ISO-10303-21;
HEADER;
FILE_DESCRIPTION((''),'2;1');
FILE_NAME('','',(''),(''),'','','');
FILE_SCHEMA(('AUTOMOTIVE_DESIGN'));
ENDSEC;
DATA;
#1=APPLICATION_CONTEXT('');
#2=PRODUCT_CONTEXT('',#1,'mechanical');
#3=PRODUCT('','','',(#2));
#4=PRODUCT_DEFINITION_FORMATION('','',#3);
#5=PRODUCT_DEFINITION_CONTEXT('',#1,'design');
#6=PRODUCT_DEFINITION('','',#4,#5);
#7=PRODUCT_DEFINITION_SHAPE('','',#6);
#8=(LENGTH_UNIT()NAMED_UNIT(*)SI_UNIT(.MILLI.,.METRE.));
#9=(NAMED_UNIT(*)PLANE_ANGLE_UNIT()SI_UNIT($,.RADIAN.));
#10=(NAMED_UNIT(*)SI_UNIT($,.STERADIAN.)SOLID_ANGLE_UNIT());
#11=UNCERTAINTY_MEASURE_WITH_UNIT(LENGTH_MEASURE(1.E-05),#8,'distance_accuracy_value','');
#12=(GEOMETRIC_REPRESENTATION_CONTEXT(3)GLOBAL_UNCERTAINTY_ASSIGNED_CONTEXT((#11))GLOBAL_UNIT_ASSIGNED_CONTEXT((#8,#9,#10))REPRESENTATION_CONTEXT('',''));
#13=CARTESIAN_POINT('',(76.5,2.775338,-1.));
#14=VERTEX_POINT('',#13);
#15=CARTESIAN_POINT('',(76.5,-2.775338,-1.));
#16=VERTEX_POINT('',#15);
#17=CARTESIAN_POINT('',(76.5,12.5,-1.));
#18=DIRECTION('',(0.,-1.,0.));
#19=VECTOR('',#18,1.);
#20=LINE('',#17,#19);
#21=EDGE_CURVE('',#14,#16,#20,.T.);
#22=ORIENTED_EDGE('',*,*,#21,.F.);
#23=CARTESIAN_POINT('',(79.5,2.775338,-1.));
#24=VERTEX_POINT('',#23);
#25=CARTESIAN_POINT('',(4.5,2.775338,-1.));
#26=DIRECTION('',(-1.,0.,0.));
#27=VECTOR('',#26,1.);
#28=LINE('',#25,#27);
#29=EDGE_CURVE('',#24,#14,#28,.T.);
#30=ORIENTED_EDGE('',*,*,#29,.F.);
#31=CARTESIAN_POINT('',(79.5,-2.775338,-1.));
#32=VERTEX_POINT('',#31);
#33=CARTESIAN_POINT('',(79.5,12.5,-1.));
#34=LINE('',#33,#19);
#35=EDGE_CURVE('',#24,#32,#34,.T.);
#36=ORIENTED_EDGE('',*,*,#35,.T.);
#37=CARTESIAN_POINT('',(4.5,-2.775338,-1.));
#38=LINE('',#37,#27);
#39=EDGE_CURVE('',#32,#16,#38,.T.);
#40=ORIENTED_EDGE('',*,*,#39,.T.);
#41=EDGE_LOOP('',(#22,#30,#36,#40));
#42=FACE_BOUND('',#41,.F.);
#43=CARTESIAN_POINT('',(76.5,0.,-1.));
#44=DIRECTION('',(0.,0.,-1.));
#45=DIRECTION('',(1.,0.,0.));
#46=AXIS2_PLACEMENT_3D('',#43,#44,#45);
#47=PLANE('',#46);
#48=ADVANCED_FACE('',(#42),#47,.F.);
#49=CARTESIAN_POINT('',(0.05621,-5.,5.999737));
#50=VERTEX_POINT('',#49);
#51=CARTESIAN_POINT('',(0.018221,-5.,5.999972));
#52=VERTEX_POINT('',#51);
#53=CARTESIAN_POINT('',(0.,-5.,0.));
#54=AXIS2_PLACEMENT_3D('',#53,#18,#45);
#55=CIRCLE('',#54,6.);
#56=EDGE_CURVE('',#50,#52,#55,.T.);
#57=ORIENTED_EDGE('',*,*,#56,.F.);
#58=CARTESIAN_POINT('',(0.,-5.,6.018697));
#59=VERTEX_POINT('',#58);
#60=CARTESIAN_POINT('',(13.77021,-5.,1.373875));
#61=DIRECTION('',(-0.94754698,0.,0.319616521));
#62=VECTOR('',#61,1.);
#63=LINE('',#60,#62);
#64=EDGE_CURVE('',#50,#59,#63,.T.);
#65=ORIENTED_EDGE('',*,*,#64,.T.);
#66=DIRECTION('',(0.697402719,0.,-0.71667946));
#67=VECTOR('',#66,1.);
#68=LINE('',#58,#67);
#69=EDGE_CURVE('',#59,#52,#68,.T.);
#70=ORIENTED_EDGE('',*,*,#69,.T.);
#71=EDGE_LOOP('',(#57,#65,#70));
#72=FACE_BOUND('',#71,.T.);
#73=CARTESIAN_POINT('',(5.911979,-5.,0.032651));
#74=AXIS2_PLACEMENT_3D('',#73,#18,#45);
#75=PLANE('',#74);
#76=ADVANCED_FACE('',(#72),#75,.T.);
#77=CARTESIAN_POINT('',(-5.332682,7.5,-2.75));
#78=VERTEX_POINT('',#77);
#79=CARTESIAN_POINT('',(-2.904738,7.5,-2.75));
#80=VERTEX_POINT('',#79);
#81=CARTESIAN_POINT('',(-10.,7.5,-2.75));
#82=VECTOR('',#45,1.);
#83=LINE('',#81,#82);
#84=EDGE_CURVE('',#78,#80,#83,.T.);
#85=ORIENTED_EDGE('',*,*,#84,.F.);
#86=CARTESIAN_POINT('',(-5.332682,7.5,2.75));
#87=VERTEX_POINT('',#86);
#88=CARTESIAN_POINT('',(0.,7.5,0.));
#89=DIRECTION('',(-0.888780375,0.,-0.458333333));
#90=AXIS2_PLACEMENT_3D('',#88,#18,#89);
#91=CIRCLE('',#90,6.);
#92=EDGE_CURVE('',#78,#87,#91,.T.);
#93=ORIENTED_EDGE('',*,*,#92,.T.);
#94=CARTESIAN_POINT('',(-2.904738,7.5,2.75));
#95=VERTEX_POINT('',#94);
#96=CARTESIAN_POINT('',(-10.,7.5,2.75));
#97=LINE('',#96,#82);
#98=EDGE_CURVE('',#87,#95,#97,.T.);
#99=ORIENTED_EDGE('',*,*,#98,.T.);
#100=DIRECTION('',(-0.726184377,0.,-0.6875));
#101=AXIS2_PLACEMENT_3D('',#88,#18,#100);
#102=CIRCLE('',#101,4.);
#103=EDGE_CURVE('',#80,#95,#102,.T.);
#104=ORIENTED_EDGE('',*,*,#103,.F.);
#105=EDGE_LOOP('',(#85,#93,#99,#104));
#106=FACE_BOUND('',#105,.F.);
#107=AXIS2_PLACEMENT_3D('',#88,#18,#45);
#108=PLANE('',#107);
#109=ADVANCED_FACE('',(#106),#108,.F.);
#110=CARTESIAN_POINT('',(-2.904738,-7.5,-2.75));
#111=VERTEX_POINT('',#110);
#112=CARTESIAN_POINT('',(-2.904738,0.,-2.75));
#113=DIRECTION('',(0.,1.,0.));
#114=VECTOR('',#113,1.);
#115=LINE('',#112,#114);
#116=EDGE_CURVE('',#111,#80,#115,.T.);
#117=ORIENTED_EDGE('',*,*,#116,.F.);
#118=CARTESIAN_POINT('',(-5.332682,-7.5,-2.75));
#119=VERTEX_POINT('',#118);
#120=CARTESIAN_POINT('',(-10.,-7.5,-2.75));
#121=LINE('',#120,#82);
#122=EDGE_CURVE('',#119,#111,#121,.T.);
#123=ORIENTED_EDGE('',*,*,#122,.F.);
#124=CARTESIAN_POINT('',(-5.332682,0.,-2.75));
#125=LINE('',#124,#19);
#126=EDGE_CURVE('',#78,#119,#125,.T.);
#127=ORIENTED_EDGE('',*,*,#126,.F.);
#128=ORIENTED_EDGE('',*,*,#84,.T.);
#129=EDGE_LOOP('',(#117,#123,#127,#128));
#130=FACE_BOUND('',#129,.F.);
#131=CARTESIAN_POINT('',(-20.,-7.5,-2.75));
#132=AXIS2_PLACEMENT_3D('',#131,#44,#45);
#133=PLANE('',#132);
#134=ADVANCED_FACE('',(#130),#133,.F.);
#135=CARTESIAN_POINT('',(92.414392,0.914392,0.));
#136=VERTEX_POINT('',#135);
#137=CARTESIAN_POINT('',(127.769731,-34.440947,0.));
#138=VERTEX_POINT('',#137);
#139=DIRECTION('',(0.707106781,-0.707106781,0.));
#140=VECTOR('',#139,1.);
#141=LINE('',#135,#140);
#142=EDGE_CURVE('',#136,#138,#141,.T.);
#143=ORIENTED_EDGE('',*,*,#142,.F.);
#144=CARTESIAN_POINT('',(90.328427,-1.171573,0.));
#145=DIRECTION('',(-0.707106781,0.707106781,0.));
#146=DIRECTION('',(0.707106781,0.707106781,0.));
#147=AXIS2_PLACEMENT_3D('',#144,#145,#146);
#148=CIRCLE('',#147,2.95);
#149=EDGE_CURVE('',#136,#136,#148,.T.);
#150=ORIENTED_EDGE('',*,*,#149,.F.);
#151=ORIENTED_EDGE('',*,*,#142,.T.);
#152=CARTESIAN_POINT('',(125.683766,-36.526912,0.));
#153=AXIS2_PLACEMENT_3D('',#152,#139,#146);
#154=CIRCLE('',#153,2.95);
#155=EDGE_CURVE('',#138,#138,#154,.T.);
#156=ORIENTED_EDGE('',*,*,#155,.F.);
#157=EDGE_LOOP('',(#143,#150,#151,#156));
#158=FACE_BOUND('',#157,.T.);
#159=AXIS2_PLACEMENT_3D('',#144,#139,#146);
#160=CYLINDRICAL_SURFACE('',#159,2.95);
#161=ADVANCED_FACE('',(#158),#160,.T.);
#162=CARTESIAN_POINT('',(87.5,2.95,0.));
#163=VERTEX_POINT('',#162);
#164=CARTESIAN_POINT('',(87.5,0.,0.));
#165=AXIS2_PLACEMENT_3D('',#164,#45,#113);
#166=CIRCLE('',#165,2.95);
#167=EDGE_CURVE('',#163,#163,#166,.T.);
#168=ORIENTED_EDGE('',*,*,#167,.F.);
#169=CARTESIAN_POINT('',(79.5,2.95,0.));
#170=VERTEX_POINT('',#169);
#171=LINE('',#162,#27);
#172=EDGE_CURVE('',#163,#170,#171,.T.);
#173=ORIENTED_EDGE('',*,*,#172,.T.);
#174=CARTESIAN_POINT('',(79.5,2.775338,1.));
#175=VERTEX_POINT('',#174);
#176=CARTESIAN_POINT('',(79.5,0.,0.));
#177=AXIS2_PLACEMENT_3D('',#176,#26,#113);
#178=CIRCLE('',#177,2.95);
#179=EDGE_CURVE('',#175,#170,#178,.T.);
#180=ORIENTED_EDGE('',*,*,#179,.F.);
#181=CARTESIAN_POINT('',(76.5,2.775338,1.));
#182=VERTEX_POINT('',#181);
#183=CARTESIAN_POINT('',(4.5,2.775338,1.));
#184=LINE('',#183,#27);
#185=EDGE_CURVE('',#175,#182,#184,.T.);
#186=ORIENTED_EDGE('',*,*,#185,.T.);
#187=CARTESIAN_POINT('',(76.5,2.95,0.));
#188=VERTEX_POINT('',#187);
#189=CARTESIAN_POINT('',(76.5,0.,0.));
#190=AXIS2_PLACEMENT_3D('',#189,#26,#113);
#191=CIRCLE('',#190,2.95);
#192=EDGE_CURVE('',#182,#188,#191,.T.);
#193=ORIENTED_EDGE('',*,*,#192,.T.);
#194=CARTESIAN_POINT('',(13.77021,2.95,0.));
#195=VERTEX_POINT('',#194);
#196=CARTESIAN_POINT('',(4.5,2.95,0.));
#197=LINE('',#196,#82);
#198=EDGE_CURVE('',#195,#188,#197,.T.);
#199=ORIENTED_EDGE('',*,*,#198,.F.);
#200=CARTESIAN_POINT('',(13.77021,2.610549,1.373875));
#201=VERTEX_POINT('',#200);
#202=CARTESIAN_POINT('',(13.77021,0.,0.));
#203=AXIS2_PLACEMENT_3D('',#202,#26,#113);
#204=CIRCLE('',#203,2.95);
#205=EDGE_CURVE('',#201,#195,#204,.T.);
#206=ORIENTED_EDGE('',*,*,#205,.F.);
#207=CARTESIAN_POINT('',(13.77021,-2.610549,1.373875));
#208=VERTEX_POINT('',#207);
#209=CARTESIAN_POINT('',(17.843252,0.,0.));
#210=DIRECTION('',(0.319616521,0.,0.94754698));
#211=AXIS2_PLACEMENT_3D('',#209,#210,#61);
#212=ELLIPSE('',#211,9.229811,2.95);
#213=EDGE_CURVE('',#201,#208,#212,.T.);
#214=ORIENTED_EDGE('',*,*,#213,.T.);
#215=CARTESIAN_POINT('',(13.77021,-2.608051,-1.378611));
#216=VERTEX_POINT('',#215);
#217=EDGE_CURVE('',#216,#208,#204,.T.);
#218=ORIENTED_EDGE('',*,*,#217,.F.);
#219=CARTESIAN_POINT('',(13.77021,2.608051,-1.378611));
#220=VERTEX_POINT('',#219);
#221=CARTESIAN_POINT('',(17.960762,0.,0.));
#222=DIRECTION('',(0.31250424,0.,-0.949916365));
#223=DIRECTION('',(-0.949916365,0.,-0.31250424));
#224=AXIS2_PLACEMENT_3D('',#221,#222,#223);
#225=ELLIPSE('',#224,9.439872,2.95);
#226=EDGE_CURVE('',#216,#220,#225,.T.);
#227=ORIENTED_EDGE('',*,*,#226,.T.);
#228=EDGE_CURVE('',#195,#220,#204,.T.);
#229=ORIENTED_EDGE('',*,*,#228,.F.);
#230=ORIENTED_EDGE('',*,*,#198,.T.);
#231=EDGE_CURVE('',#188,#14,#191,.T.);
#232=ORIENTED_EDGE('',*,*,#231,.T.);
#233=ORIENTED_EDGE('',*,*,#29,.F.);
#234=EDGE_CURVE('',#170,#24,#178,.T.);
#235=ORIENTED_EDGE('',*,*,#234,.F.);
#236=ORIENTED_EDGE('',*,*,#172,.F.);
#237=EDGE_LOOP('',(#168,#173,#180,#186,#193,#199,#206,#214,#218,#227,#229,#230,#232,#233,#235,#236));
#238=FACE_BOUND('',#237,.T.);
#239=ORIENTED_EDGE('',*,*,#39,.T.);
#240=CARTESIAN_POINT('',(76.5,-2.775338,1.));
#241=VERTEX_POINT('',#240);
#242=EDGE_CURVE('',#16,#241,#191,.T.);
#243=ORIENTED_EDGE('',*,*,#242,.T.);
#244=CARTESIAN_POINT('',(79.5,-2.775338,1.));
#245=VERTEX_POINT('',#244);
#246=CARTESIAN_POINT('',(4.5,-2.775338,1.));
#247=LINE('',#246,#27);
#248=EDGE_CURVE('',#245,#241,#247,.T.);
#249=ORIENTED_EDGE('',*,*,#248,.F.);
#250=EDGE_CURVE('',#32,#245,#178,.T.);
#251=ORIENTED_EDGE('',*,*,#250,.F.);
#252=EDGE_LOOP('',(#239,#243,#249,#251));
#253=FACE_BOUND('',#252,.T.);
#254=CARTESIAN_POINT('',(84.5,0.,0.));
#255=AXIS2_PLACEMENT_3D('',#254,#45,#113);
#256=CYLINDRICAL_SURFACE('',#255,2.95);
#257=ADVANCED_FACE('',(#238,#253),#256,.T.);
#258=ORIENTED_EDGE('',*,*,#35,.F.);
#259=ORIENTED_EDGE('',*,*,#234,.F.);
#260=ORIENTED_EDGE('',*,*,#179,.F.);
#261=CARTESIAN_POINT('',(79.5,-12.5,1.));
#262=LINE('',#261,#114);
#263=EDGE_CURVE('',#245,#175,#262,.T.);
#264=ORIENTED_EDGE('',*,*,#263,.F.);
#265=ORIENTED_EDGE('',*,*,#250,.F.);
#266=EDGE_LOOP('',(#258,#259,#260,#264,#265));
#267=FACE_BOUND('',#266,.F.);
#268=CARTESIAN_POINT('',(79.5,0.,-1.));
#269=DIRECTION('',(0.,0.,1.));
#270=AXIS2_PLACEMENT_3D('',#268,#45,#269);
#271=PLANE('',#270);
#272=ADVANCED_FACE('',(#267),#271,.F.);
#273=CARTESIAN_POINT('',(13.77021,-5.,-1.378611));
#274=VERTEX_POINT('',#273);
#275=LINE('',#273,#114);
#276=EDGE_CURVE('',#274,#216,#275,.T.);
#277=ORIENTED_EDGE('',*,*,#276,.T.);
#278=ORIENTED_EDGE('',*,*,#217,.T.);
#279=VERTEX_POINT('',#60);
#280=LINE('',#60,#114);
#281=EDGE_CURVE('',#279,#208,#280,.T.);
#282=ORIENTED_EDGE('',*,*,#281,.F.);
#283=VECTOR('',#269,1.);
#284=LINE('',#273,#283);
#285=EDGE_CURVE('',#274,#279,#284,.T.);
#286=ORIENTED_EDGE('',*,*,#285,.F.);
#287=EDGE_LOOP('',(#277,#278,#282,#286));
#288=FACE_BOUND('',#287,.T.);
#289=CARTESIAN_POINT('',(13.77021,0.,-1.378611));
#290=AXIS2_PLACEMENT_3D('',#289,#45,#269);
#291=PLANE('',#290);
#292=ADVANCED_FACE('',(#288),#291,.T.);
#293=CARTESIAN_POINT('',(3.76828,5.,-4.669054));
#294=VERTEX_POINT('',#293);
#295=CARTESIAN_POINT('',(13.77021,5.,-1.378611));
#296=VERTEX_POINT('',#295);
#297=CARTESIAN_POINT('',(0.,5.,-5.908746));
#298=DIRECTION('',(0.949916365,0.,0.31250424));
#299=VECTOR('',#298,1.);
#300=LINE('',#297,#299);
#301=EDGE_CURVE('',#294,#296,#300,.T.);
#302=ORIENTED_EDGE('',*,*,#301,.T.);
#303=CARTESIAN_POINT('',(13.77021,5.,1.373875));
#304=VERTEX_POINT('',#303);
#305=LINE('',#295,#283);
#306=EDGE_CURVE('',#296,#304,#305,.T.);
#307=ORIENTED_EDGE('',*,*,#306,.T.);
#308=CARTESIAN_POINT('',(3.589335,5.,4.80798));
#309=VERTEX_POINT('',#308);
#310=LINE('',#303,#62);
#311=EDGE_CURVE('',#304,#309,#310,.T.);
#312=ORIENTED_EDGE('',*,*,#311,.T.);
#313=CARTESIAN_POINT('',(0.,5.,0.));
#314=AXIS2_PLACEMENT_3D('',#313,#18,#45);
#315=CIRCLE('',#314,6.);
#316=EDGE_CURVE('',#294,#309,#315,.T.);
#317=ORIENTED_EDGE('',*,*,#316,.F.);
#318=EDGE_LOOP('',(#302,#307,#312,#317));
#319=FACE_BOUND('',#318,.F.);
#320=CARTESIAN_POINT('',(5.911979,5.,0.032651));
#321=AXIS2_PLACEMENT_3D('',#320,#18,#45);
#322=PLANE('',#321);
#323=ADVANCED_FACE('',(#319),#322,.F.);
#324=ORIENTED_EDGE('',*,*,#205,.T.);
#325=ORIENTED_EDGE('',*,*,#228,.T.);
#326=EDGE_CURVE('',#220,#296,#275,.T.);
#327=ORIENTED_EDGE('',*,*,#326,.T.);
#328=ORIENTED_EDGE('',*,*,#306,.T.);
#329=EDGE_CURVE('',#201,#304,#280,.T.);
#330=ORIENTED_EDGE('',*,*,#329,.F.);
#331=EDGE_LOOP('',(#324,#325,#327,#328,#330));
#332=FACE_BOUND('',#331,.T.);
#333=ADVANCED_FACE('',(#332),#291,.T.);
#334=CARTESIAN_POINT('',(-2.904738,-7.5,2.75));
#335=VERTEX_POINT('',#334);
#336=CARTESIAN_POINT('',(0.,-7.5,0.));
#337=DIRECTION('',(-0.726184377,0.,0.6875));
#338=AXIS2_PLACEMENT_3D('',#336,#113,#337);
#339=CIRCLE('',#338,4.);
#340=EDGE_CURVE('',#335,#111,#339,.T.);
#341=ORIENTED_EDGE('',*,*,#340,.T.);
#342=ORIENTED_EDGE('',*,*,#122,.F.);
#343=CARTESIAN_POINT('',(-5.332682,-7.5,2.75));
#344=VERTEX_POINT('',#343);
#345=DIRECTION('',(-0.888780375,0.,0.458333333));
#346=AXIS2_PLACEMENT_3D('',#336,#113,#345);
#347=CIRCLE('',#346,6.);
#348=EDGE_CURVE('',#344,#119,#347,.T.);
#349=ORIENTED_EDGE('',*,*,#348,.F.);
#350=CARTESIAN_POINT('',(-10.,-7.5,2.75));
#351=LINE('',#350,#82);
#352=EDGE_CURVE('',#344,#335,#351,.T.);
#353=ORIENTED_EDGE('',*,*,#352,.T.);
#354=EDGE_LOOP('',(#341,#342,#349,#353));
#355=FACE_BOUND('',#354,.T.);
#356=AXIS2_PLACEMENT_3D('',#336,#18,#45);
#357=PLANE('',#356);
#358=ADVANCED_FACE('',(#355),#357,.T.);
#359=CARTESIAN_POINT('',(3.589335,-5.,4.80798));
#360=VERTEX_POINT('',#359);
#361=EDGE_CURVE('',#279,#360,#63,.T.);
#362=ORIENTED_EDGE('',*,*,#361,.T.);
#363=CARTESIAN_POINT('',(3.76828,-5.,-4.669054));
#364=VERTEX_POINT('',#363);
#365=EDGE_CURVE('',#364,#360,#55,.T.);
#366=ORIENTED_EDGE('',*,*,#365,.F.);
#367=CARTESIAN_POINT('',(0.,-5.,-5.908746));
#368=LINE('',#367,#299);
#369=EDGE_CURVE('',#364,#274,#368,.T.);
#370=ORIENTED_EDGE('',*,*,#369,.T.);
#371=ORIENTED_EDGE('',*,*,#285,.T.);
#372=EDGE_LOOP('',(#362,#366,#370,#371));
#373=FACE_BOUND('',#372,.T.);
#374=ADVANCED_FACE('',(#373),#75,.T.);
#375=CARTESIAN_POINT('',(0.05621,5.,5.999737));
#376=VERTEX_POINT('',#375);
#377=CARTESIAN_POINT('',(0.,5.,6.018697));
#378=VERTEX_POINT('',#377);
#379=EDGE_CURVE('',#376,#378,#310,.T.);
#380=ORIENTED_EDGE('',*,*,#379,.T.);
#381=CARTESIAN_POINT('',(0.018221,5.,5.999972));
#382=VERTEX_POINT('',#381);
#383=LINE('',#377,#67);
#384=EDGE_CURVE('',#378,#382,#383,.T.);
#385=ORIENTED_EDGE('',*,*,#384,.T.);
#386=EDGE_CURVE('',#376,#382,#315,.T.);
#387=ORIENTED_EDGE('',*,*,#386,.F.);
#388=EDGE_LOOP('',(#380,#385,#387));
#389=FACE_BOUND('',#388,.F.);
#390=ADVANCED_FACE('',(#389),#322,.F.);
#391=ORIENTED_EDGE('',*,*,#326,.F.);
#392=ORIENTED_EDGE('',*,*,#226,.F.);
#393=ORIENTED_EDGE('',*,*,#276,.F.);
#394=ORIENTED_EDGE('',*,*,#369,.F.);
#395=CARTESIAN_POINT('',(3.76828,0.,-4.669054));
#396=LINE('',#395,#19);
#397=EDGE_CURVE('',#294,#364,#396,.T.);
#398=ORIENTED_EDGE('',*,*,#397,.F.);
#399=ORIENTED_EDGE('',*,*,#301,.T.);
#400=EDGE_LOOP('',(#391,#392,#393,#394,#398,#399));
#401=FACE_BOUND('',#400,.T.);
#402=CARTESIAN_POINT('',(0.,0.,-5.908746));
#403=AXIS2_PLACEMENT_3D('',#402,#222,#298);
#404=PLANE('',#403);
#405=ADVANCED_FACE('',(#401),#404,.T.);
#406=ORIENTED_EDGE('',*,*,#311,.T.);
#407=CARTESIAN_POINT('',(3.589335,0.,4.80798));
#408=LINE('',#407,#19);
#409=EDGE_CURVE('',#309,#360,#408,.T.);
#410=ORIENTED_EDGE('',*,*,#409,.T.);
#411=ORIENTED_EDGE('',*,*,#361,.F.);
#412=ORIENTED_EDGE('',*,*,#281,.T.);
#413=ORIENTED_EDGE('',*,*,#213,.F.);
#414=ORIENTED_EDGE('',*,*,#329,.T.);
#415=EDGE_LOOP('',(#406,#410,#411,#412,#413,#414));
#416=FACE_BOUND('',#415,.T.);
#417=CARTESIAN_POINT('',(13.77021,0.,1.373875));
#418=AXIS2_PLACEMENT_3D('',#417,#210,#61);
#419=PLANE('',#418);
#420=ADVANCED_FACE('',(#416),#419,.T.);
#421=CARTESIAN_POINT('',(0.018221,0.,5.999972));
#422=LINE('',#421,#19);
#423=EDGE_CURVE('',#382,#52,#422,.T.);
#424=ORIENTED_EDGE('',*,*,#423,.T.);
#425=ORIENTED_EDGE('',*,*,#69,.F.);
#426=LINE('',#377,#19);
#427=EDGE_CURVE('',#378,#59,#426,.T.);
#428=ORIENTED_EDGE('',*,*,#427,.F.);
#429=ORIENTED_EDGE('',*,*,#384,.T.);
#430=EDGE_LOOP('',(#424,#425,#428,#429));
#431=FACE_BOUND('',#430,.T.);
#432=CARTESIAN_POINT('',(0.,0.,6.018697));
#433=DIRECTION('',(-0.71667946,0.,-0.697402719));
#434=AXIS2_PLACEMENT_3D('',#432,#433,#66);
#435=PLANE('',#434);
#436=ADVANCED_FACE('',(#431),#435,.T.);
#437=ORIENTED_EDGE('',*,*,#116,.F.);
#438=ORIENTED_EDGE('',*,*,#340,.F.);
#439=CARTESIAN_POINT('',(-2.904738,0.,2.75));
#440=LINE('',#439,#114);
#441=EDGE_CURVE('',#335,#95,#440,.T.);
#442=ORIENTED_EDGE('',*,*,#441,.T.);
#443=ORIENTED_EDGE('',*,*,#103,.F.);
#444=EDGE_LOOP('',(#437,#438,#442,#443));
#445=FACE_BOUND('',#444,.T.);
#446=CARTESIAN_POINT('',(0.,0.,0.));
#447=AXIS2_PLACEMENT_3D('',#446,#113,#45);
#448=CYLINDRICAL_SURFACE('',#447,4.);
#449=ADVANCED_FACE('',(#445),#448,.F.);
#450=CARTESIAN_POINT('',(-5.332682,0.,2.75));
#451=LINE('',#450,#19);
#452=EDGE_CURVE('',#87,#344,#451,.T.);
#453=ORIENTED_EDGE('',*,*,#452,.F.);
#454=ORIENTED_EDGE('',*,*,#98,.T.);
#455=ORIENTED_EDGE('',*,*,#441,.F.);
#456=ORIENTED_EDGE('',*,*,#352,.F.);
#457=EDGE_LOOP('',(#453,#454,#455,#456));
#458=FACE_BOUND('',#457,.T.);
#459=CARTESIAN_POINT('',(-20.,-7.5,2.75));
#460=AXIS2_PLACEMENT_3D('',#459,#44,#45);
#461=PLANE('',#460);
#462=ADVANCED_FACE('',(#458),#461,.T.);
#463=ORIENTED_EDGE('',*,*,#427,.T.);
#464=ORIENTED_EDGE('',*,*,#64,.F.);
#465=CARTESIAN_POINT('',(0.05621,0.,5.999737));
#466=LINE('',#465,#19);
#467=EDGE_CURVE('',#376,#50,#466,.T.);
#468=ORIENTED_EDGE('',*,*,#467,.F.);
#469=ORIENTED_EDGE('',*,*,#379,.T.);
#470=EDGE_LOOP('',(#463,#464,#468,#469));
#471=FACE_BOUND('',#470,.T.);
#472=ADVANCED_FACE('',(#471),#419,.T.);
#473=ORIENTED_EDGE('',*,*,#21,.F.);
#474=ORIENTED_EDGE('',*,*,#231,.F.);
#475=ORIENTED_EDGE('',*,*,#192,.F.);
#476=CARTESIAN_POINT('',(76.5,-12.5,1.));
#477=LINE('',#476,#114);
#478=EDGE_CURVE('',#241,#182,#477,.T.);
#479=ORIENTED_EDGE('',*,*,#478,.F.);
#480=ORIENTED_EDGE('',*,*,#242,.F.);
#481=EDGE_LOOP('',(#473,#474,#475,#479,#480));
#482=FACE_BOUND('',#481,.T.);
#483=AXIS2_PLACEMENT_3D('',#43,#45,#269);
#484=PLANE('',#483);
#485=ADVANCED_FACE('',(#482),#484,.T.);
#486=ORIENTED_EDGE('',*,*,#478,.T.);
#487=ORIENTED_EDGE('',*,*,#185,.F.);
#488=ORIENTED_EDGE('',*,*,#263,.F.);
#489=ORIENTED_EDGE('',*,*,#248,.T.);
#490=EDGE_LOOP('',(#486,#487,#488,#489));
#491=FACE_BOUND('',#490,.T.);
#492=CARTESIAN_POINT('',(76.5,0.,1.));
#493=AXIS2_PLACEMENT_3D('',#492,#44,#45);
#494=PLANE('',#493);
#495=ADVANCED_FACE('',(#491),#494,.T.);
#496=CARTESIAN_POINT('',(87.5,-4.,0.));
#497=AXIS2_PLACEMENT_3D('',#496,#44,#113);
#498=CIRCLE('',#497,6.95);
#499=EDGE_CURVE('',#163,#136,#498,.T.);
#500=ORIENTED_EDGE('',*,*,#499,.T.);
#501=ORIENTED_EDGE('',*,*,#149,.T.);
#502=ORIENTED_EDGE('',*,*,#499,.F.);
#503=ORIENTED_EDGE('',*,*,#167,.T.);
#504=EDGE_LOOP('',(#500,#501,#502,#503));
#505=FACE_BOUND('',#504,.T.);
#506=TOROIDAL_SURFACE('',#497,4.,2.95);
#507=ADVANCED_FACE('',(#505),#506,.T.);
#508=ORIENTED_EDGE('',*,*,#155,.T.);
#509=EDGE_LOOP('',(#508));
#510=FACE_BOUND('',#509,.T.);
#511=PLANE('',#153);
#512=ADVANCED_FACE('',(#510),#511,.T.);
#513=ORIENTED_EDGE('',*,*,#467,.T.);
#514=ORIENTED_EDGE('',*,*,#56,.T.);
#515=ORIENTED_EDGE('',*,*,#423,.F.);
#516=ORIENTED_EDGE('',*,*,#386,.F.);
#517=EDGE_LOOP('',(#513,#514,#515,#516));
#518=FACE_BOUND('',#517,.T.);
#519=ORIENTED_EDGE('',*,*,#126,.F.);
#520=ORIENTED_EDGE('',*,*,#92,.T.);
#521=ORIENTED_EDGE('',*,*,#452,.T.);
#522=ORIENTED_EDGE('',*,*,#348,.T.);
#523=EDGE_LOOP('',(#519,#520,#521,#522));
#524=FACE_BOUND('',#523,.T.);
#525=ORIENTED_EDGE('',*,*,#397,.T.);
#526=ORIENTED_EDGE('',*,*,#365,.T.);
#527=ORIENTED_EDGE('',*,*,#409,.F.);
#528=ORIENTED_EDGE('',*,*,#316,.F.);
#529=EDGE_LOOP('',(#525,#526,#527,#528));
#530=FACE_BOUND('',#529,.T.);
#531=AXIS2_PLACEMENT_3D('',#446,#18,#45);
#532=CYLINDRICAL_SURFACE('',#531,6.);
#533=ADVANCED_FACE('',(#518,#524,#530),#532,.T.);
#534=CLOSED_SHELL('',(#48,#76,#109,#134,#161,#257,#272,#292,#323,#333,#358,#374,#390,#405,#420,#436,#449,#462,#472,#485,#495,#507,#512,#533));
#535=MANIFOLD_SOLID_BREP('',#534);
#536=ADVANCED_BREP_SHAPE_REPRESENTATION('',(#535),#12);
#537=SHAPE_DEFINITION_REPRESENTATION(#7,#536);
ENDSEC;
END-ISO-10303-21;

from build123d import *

# Parameters (mm, degrees)
F0_R      = 6
F0_R_2    = 4
F1_DEPTH  = 7.5
F3_R      = 2.95
F4_DEPTH  = 80
F5_W      = 20
F5_H      = 5.5
F6_DEPTH  = 25
F12_DEPTH = 5
F13_W     = 3
F13_H     = 2
F14_DEPTH = 12.5
F16_R     = 2.95


with BuildPart() as f1:
    # F0 (on Front) → F1 (new body, symmetric)
    with BuildSketch(Plane.XZ):
        Circle(F0_R)
        Circle(F0_R_2, mode=Mode.SUBTRACT)
    extrude(amount=F1_DEPTH, both=True)

    # F3 (on offset) → F4 (join)
    with BuildSketch(Plane.YZ.offset(4.5)):
        Circle(F3_R)
    extrude(amount=F4_DEPTH)

    # F5 (on face) → F6 (cut)
    with BuildSketch(Plane.XZ.offset(7.5)):
        with Locations((-10, 0)):
            Rectangle(F5_W, F5_H)
    extrude(amount=-F6_DEPTH, mode=Mode.SUBTRACT)

    # F11 (on face) → F12 (join, symmetric)
    with BuildSketch(Plane.XZ):
        Polygon((13.7702096254, 1.3738754205), (0, 6.0186968185), (5.8568101376, 0), (0, -5.9087458067), (13.7702096254, -1.3786113122), align=None)
    extrude(amount=F12_DEPTH, both=True)

    # F13 (on Front) → F14 (cut, symmetric)
    with BuildSketch(Plane.XZ):
        with Locations((78, 0)):
            Rectangle(F13_W, F13_H)
    extrude(amount=F14_DEPTH, both=True, mode=Mode.SUBTRACT)

    # F17: sweep along a path in F15
    with BuildLine(Plane.XY) as f17_path:
        Line((84.5, 0), (87.5, 0))
        ThreePointArc((87.5, 0), (89.0307337295, -0.30448187), (90.3284271247, -1.1715728753))
        Line((90.3284271247, -1.1715728753), (125.6837661841, -36.5269119346))
    # F16 (on face) → F17 (sweep)
    with BuildSketch(Plane.YZ.offset(84.5)):
        Circle(F16_R)
    sweep(path=f17_path.line)


solid = f1.part
